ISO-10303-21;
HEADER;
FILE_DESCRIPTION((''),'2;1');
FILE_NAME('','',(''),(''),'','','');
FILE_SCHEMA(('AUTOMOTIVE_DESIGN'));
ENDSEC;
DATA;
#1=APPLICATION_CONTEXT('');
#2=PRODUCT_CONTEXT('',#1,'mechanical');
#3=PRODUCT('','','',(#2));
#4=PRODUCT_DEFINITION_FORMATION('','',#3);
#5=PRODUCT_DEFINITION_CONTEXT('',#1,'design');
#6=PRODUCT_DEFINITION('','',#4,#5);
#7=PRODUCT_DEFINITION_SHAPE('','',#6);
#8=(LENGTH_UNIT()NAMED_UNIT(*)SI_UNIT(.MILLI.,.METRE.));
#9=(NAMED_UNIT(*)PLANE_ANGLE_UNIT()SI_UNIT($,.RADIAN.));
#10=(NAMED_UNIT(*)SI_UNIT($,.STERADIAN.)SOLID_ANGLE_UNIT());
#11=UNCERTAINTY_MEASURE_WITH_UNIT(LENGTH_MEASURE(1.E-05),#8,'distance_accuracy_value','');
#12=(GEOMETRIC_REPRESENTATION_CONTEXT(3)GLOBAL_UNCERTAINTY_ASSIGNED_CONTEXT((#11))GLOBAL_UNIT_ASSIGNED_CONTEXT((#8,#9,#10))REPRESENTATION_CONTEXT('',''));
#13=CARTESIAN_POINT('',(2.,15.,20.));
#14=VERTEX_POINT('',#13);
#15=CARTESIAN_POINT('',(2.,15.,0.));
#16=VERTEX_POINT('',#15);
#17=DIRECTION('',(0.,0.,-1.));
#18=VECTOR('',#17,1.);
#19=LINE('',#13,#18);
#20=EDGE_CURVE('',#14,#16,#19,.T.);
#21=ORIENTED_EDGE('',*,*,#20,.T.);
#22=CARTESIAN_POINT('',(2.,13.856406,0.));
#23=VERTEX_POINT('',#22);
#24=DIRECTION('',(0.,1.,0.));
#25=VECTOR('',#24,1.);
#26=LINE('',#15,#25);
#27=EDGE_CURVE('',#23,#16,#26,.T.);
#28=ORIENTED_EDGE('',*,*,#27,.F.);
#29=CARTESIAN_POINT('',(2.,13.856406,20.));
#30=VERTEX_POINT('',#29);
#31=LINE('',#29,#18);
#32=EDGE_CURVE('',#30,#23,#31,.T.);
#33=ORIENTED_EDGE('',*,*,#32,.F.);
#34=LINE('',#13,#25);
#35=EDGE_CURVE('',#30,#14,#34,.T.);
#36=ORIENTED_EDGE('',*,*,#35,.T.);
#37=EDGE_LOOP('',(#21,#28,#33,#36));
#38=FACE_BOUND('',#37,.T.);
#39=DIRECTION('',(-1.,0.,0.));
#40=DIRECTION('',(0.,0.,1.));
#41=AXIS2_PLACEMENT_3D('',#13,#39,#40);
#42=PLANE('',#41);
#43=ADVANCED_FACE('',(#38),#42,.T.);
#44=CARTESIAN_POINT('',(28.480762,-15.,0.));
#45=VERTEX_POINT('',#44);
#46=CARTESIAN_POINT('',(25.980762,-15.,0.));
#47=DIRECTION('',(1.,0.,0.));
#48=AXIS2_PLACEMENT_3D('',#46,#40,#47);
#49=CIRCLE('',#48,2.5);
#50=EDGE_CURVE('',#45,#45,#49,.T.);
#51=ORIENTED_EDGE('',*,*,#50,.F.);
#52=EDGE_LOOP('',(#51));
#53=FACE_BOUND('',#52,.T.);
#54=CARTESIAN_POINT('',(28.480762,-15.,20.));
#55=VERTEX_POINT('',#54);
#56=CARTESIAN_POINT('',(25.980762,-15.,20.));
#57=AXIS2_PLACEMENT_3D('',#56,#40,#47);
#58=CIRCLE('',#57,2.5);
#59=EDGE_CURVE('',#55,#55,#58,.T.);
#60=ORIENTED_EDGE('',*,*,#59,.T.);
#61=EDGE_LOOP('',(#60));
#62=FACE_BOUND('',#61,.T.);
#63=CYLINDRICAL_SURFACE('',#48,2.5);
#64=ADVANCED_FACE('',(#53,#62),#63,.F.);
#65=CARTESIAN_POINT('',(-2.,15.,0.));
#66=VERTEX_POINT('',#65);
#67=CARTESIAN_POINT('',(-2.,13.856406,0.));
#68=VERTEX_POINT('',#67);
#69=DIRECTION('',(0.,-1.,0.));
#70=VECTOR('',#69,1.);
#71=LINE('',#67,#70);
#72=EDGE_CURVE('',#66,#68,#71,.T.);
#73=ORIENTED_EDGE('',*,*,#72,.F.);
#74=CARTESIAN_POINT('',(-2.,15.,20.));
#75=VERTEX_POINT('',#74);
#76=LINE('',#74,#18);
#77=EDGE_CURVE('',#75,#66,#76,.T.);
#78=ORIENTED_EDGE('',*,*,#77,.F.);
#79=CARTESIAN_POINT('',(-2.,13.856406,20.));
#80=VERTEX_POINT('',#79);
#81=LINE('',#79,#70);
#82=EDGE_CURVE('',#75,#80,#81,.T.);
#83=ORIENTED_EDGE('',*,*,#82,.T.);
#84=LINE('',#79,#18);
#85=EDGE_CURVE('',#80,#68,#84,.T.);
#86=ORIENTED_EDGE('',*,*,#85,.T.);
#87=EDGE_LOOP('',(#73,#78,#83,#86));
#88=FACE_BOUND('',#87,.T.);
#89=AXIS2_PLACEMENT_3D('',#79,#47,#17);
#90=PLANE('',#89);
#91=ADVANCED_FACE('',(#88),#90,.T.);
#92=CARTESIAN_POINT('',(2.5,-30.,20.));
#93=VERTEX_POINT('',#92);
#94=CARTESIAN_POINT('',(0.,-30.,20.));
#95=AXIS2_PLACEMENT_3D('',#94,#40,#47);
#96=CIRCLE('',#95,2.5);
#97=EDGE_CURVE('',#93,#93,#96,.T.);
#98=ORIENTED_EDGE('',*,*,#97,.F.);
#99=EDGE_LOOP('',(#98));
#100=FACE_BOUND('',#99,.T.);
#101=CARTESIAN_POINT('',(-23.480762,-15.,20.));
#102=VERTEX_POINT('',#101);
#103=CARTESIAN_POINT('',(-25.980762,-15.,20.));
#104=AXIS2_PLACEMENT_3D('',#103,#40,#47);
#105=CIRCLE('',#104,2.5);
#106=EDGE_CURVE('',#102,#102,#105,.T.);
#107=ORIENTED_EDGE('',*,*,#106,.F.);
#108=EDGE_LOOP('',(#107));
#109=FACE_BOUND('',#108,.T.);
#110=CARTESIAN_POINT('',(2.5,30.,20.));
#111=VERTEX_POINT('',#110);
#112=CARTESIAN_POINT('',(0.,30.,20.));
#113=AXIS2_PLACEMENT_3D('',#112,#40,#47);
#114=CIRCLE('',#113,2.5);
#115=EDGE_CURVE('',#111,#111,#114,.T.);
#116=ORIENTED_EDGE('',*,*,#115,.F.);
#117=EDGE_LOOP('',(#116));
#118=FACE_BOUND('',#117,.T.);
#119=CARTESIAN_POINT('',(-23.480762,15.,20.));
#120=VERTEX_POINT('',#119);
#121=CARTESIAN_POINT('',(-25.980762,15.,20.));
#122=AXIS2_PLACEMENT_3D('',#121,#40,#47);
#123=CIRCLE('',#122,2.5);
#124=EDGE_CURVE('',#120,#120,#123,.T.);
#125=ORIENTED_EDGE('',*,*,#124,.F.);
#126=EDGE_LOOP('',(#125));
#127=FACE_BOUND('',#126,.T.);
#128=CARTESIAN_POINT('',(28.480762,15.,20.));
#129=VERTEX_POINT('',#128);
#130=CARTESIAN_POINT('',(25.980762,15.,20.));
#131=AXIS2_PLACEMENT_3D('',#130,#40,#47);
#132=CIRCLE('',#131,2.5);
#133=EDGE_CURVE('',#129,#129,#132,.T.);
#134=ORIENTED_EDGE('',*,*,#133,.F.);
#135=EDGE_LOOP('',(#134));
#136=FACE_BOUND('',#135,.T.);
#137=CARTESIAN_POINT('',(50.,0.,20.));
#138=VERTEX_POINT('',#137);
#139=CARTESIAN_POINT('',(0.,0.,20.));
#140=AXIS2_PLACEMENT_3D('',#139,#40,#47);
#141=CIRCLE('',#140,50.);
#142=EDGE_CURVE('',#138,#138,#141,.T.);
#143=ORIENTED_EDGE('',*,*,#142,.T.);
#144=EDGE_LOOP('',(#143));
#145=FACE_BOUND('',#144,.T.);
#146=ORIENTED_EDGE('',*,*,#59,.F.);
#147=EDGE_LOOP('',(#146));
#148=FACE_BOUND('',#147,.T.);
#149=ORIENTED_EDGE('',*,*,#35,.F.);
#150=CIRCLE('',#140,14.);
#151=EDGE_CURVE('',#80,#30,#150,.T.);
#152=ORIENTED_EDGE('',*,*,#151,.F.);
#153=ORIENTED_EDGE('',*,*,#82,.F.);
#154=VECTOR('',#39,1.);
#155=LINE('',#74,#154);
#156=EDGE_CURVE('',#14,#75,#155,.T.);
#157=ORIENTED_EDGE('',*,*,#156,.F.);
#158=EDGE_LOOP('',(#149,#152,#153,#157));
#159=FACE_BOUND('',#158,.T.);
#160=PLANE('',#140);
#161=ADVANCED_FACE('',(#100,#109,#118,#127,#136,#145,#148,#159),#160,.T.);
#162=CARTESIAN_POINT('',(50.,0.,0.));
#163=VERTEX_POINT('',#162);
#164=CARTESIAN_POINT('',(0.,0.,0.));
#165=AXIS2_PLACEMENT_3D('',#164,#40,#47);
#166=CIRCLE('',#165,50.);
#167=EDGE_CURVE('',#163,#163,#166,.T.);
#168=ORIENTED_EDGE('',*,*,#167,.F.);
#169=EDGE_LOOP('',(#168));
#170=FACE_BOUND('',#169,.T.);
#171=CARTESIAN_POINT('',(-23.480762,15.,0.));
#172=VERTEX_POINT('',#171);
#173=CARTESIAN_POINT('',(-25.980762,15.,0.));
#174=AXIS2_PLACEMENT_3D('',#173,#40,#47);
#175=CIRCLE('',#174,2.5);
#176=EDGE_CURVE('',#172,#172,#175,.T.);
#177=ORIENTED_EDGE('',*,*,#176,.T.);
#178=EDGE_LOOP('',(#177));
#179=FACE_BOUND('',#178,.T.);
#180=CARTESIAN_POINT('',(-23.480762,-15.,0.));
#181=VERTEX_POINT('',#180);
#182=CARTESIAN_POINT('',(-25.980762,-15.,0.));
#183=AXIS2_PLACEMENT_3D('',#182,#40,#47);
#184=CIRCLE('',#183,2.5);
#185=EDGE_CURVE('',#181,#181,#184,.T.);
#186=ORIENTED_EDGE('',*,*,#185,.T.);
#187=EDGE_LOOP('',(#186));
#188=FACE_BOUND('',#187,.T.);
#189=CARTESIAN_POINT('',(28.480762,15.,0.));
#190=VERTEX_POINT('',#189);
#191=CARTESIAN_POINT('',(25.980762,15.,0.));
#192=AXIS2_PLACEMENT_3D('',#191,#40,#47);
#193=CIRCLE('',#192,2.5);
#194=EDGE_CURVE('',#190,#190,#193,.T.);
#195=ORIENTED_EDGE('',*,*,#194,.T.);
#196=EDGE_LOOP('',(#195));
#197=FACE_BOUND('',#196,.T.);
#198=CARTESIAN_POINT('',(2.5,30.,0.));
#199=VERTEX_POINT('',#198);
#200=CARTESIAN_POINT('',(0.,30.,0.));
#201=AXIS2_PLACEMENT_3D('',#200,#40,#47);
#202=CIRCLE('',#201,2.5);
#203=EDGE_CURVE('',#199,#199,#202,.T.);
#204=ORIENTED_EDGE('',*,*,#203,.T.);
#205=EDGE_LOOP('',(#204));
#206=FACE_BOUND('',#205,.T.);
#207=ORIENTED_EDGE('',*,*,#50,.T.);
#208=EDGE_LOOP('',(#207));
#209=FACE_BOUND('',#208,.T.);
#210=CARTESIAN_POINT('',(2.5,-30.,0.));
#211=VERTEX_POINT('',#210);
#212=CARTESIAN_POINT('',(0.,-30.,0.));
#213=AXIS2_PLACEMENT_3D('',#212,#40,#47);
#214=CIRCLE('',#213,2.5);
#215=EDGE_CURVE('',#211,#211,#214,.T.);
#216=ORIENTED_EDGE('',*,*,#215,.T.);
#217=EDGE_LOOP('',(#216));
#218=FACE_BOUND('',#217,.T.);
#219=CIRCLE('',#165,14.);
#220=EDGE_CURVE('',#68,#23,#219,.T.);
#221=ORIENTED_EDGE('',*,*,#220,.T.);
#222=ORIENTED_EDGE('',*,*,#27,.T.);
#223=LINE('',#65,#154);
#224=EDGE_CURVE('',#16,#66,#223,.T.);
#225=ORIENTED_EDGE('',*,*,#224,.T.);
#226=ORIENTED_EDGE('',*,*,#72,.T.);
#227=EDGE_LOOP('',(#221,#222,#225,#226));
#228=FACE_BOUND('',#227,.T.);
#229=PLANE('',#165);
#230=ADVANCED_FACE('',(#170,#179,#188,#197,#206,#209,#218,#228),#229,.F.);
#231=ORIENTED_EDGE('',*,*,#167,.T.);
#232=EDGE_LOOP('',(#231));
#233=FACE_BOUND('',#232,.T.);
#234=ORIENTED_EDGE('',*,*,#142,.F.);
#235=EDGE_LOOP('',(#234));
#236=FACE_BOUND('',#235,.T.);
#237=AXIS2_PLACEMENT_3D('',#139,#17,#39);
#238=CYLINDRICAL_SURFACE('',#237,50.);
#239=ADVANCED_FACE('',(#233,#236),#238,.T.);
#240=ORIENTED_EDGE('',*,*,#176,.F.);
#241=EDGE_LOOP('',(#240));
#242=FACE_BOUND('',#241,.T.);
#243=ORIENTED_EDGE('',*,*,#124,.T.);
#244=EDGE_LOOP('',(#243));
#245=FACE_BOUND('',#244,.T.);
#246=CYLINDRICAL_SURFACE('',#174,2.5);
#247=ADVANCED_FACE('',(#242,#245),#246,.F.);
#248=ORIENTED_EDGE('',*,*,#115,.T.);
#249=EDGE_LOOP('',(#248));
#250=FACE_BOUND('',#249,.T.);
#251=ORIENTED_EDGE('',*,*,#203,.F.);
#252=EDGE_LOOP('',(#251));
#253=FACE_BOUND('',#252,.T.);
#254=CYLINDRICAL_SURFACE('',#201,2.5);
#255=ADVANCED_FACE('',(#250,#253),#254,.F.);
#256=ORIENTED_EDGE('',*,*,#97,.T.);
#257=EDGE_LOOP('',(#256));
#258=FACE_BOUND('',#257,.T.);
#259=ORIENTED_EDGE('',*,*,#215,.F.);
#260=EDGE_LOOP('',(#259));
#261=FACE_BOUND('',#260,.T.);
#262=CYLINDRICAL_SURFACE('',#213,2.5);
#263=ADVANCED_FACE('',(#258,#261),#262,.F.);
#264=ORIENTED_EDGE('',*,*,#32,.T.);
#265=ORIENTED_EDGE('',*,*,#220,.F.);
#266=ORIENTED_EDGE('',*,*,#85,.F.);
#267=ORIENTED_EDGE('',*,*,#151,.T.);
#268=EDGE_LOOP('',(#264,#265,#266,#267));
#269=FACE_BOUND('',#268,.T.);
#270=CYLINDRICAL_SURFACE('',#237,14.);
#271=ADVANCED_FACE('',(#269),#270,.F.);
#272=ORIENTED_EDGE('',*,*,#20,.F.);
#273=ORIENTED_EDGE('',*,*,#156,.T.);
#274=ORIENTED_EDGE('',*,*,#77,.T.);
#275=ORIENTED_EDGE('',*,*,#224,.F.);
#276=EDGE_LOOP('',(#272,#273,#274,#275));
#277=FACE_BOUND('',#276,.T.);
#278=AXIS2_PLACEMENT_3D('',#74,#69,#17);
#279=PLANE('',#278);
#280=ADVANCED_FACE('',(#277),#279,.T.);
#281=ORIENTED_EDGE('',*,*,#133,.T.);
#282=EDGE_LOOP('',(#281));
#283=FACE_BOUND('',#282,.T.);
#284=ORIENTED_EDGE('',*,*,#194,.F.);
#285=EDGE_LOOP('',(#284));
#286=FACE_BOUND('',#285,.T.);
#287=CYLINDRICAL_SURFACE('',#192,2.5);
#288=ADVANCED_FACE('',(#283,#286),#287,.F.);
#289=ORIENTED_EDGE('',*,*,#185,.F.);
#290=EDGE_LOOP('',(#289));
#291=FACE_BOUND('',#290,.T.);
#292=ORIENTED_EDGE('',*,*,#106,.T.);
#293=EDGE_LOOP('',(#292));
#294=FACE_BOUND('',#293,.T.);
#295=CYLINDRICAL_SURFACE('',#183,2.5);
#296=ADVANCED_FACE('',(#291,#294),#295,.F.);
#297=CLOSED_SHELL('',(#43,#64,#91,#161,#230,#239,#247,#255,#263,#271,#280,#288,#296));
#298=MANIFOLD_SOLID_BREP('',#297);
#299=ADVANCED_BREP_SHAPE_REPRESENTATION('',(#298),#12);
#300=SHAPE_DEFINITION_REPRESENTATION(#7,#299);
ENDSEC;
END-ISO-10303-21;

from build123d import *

# Parameters (mm, degrees)
SKETCH1_R           = 50
BOSS_EXTRUDE1_DEPTH = 20
SKETCH2_R           = 2.5
CUT_EXTRUDE1_DEPTH  = 74.484692283


with BuildPart() as part:
    # Sketch1 → Boss-Extrude1 (new body)
    with BuildSketch(Plane.XY):
        Circle(SKETCH1_R)
        with BuildLine():
            Line((-2, 13.856406461), (-2, 15))
            Line((-2, 15), (2, 15))
            Line((2, 15), (2, 13.856406461))
            ThreePointArc((2, 13.856406461), (0, -14), (-2, 13.856406461))
        make_face(mode=Mode.SUBTRACT)
    extrude(amount=BOSS_EXTRUDE1_DEPTH)

    # Sketch2 → Cut-Extrude1 (cut, through all)
    with BuildSketch(Plane.XY.offset(20)):
        with Locations((0, -30)):
            Circle(SKETCH2_R)
        with Locations((-25.980762114, -15)):
            Circle(SKETCH2_R)
        with Locations((-25.980762114, 15)):
            Circle(SKETCH2_R)
        with Locations((0, 30)):
            Circle(SKETCH2_R)
        with Locations((25.980762114, 15)):
            Circle(SKETCH2_R)
        with Locations((25.980762114, -15)):
            Circle(SKETCH2_R)
    extrude(amount=-CUT_EXTRUDE1_DEPTH, mode=Mode.SUBTRACT)


solid = part.part
